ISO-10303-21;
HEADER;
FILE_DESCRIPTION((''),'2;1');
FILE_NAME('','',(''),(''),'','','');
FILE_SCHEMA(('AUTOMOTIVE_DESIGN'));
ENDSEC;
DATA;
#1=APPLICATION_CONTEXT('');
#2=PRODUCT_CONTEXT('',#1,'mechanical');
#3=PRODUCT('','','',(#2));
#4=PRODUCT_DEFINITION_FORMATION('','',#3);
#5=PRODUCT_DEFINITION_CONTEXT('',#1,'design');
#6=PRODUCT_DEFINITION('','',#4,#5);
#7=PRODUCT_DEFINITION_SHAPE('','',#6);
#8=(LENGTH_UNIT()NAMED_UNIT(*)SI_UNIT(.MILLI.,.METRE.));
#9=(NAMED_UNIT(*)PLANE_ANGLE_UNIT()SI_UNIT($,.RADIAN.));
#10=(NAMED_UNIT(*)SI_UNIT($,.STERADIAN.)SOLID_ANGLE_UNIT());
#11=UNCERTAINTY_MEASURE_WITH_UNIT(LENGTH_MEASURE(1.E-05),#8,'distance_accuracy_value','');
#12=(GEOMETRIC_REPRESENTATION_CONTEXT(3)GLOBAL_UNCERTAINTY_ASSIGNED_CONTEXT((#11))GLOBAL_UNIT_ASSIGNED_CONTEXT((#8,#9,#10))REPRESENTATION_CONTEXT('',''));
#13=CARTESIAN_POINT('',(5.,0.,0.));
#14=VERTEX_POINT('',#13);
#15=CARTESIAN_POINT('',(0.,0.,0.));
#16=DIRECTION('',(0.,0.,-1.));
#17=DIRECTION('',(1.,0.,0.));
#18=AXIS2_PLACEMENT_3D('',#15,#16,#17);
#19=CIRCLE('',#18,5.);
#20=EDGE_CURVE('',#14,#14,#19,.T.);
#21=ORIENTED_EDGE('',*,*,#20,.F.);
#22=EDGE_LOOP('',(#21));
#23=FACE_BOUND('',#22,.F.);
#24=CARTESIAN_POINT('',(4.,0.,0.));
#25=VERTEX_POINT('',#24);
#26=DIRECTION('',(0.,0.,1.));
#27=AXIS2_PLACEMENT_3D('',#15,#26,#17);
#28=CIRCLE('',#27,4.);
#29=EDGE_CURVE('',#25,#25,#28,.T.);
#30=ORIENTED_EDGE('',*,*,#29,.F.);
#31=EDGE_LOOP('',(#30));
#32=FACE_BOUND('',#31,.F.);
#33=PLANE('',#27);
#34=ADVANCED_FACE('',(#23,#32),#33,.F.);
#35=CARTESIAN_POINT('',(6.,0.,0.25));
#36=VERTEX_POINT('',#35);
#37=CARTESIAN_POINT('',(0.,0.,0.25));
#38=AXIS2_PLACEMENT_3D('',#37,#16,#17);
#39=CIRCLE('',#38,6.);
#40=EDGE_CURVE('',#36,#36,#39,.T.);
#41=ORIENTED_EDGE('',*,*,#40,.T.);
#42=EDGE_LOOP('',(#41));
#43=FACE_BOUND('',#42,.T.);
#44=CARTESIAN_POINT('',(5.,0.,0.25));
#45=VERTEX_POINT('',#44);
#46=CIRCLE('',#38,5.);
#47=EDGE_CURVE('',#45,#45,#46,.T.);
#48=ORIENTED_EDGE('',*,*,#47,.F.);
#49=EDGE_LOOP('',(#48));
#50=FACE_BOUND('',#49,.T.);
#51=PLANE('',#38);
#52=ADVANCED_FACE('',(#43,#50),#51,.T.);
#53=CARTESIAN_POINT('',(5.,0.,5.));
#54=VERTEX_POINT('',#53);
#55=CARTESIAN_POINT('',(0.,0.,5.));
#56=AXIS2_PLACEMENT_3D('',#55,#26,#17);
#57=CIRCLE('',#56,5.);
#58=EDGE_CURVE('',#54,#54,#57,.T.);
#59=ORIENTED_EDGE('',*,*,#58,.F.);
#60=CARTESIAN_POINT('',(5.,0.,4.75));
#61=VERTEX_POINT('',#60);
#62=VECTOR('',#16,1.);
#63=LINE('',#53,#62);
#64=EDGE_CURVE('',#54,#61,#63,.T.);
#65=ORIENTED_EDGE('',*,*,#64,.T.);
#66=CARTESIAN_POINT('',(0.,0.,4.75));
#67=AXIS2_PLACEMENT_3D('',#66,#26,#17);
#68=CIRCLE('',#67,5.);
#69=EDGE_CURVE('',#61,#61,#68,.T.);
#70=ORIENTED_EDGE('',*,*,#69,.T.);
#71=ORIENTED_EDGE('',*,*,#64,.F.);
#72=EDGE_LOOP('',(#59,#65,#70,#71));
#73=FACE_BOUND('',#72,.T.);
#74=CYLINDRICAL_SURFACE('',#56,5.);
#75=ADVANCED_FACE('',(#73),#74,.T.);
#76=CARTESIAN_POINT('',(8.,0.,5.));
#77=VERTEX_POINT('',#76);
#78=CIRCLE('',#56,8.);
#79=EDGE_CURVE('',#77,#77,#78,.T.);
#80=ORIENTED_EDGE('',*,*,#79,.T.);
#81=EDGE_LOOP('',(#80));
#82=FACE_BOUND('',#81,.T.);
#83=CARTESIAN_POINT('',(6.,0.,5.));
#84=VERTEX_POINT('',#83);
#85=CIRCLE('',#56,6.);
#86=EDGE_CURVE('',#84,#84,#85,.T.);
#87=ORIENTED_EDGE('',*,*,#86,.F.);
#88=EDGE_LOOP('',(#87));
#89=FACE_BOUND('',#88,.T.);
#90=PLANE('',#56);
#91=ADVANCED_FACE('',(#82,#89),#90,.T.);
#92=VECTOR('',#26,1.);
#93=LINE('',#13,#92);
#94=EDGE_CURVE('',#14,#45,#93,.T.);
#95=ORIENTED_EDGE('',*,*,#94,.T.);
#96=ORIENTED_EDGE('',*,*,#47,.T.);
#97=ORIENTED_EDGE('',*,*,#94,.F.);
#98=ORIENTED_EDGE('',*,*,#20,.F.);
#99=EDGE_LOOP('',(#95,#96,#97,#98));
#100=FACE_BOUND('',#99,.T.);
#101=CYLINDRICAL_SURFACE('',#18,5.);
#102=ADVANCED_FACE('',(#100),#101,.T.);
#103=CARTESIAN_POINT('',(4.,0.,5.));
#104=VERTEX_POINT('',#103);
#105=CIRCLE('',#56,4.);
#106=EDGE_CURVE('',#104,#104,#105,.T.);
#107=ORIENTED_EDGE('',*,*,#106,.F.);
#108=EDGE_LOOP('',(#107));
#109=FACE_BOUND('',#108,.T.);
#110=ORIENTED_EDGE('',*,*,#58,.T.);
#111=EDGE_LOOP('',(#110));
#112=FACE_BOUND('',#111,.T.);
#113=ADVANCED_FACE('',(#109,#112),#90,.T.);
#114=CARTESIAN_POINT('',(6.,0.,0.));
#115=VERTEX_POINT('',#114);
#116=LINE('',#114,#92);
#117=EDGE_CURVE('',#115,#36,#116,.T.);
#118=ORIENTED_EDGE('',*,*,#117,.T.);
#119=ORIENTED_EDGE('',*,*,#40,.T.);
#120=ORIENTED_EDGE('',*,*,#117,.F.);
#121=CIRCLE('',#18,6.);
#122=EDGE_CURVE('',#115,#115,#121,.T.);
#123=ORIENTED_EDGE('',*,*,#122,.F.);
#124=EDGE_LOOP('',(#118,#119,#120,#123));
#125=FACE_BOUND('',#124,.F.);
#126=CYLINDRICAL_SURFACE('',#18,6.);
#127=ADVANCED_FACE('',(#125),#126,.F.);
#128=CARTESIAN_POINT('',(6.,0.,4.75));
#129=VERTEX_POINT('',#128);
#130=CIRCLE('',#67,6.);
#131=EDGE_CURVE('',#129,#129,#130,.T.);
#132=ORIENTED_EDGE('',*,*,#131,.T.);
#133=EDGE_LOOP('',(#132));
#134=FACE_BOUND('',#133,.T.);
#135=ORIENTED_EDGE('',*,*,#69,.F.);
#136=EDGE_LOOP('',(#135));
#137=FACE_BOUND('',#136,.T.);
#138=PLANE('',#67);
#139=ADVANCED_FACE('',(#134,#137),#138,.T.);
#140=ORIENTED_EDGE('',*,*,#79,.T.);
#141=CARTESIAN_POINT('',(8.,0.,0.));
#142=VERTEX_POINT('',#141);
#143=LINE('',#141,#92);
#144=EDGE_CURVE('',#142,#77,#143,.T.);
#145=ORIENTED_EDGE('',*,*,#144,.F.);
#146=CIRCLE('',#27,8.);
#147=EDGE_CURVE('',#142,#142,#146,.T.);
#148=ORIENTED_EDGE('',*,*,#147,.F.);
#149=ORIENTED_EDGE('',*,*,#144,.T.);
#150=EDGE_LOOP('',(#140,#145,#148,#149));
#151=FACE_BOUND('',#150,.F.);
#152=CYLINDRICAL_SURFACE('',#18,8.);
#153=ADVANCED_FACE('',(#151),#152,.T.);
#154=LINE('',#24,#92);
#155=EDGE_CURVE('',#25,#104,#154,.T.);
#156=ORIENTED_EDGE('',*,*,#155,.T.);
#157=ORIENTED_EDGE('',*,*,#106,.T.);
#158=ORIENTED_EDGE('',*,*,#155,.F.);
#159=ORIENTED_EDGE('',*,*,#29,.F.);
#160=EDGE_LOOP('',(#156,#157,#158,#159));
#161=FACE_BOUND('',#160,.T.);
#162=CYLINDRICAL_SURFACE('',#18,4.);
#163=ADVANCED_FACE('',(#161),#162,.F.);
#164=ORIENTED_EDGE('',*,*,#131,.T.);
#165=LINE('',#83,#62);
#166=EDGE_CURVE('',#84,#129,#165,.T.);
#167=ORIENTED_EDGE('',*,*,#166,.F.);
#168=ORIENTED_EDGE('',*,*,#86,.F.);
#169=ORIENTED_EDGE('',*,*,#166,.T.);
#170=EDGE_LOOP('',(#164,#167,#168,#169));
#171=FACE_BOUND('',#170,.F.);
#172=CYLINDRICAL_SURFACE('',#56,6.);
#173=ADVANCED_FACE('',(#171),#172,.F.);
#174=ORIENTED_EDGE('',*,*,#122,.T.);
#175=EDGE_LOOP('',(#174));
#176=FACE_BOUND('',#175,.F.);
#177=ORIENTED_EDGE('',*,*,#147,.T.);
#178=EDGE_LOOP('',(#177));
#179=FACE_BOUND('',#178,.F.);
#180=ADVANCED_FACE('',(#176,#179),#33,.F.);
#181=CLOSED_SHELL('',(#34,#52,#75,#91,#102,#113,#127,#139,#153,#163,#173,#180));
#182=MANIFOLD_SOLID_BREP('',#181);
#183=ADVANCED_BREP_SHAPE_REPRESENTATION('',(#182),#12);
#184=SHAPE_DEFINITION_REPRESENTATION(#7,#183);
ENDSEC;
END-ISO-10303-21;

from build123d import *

# Parameters (mm, degrees)
SKETCH_R        = 8
SKETCH_R_2      = 4
PAD_DEPTH       = 5
SKETCH001_R     = 6
SKETCH001_R_2   = 5
POCKET_DEPTH    = 0.25
SKETCH002_R     = 6
SKETCH002_R_2   = 5
POCKET001_DEPTH = 0.25


with BuildPart() as part:
    # Sketch → Pad (new body)
    with BuildSketch(Plane.XY):
        Circle(SKETCH_R)
        Circle(SKETCH_R_2, mode=Mode.SUBTRACT)
    extrude(amount=PAD_DEPTH)

    # Sketch001 → Pocket (cut)
    with BuildSketch(Plane.XY.offset(5)):
        Circle(SKETCH001_R)
        Circle(SKETCH001_R_2, mode=Mode.SUBTRACT)
    extrude(amount=-POCKET_DEPTH, mode=Mode.SUBTRACT)

    # Sketch002 → Pocket001 (cut)
    with BuildSketch(Plane(origin=(0, 0, 0), x_dir=(1, 0, 0), z_dir=(0, 0, -1))):
        Circle(SKETCH002_R)
        Circle(SKETCH002_R_2, mode=Mode.SUBTRACT)
    extrude(amount=-POCKET001_DEPTH, mode=Mode.SUBTRACT)


solid = part.part
